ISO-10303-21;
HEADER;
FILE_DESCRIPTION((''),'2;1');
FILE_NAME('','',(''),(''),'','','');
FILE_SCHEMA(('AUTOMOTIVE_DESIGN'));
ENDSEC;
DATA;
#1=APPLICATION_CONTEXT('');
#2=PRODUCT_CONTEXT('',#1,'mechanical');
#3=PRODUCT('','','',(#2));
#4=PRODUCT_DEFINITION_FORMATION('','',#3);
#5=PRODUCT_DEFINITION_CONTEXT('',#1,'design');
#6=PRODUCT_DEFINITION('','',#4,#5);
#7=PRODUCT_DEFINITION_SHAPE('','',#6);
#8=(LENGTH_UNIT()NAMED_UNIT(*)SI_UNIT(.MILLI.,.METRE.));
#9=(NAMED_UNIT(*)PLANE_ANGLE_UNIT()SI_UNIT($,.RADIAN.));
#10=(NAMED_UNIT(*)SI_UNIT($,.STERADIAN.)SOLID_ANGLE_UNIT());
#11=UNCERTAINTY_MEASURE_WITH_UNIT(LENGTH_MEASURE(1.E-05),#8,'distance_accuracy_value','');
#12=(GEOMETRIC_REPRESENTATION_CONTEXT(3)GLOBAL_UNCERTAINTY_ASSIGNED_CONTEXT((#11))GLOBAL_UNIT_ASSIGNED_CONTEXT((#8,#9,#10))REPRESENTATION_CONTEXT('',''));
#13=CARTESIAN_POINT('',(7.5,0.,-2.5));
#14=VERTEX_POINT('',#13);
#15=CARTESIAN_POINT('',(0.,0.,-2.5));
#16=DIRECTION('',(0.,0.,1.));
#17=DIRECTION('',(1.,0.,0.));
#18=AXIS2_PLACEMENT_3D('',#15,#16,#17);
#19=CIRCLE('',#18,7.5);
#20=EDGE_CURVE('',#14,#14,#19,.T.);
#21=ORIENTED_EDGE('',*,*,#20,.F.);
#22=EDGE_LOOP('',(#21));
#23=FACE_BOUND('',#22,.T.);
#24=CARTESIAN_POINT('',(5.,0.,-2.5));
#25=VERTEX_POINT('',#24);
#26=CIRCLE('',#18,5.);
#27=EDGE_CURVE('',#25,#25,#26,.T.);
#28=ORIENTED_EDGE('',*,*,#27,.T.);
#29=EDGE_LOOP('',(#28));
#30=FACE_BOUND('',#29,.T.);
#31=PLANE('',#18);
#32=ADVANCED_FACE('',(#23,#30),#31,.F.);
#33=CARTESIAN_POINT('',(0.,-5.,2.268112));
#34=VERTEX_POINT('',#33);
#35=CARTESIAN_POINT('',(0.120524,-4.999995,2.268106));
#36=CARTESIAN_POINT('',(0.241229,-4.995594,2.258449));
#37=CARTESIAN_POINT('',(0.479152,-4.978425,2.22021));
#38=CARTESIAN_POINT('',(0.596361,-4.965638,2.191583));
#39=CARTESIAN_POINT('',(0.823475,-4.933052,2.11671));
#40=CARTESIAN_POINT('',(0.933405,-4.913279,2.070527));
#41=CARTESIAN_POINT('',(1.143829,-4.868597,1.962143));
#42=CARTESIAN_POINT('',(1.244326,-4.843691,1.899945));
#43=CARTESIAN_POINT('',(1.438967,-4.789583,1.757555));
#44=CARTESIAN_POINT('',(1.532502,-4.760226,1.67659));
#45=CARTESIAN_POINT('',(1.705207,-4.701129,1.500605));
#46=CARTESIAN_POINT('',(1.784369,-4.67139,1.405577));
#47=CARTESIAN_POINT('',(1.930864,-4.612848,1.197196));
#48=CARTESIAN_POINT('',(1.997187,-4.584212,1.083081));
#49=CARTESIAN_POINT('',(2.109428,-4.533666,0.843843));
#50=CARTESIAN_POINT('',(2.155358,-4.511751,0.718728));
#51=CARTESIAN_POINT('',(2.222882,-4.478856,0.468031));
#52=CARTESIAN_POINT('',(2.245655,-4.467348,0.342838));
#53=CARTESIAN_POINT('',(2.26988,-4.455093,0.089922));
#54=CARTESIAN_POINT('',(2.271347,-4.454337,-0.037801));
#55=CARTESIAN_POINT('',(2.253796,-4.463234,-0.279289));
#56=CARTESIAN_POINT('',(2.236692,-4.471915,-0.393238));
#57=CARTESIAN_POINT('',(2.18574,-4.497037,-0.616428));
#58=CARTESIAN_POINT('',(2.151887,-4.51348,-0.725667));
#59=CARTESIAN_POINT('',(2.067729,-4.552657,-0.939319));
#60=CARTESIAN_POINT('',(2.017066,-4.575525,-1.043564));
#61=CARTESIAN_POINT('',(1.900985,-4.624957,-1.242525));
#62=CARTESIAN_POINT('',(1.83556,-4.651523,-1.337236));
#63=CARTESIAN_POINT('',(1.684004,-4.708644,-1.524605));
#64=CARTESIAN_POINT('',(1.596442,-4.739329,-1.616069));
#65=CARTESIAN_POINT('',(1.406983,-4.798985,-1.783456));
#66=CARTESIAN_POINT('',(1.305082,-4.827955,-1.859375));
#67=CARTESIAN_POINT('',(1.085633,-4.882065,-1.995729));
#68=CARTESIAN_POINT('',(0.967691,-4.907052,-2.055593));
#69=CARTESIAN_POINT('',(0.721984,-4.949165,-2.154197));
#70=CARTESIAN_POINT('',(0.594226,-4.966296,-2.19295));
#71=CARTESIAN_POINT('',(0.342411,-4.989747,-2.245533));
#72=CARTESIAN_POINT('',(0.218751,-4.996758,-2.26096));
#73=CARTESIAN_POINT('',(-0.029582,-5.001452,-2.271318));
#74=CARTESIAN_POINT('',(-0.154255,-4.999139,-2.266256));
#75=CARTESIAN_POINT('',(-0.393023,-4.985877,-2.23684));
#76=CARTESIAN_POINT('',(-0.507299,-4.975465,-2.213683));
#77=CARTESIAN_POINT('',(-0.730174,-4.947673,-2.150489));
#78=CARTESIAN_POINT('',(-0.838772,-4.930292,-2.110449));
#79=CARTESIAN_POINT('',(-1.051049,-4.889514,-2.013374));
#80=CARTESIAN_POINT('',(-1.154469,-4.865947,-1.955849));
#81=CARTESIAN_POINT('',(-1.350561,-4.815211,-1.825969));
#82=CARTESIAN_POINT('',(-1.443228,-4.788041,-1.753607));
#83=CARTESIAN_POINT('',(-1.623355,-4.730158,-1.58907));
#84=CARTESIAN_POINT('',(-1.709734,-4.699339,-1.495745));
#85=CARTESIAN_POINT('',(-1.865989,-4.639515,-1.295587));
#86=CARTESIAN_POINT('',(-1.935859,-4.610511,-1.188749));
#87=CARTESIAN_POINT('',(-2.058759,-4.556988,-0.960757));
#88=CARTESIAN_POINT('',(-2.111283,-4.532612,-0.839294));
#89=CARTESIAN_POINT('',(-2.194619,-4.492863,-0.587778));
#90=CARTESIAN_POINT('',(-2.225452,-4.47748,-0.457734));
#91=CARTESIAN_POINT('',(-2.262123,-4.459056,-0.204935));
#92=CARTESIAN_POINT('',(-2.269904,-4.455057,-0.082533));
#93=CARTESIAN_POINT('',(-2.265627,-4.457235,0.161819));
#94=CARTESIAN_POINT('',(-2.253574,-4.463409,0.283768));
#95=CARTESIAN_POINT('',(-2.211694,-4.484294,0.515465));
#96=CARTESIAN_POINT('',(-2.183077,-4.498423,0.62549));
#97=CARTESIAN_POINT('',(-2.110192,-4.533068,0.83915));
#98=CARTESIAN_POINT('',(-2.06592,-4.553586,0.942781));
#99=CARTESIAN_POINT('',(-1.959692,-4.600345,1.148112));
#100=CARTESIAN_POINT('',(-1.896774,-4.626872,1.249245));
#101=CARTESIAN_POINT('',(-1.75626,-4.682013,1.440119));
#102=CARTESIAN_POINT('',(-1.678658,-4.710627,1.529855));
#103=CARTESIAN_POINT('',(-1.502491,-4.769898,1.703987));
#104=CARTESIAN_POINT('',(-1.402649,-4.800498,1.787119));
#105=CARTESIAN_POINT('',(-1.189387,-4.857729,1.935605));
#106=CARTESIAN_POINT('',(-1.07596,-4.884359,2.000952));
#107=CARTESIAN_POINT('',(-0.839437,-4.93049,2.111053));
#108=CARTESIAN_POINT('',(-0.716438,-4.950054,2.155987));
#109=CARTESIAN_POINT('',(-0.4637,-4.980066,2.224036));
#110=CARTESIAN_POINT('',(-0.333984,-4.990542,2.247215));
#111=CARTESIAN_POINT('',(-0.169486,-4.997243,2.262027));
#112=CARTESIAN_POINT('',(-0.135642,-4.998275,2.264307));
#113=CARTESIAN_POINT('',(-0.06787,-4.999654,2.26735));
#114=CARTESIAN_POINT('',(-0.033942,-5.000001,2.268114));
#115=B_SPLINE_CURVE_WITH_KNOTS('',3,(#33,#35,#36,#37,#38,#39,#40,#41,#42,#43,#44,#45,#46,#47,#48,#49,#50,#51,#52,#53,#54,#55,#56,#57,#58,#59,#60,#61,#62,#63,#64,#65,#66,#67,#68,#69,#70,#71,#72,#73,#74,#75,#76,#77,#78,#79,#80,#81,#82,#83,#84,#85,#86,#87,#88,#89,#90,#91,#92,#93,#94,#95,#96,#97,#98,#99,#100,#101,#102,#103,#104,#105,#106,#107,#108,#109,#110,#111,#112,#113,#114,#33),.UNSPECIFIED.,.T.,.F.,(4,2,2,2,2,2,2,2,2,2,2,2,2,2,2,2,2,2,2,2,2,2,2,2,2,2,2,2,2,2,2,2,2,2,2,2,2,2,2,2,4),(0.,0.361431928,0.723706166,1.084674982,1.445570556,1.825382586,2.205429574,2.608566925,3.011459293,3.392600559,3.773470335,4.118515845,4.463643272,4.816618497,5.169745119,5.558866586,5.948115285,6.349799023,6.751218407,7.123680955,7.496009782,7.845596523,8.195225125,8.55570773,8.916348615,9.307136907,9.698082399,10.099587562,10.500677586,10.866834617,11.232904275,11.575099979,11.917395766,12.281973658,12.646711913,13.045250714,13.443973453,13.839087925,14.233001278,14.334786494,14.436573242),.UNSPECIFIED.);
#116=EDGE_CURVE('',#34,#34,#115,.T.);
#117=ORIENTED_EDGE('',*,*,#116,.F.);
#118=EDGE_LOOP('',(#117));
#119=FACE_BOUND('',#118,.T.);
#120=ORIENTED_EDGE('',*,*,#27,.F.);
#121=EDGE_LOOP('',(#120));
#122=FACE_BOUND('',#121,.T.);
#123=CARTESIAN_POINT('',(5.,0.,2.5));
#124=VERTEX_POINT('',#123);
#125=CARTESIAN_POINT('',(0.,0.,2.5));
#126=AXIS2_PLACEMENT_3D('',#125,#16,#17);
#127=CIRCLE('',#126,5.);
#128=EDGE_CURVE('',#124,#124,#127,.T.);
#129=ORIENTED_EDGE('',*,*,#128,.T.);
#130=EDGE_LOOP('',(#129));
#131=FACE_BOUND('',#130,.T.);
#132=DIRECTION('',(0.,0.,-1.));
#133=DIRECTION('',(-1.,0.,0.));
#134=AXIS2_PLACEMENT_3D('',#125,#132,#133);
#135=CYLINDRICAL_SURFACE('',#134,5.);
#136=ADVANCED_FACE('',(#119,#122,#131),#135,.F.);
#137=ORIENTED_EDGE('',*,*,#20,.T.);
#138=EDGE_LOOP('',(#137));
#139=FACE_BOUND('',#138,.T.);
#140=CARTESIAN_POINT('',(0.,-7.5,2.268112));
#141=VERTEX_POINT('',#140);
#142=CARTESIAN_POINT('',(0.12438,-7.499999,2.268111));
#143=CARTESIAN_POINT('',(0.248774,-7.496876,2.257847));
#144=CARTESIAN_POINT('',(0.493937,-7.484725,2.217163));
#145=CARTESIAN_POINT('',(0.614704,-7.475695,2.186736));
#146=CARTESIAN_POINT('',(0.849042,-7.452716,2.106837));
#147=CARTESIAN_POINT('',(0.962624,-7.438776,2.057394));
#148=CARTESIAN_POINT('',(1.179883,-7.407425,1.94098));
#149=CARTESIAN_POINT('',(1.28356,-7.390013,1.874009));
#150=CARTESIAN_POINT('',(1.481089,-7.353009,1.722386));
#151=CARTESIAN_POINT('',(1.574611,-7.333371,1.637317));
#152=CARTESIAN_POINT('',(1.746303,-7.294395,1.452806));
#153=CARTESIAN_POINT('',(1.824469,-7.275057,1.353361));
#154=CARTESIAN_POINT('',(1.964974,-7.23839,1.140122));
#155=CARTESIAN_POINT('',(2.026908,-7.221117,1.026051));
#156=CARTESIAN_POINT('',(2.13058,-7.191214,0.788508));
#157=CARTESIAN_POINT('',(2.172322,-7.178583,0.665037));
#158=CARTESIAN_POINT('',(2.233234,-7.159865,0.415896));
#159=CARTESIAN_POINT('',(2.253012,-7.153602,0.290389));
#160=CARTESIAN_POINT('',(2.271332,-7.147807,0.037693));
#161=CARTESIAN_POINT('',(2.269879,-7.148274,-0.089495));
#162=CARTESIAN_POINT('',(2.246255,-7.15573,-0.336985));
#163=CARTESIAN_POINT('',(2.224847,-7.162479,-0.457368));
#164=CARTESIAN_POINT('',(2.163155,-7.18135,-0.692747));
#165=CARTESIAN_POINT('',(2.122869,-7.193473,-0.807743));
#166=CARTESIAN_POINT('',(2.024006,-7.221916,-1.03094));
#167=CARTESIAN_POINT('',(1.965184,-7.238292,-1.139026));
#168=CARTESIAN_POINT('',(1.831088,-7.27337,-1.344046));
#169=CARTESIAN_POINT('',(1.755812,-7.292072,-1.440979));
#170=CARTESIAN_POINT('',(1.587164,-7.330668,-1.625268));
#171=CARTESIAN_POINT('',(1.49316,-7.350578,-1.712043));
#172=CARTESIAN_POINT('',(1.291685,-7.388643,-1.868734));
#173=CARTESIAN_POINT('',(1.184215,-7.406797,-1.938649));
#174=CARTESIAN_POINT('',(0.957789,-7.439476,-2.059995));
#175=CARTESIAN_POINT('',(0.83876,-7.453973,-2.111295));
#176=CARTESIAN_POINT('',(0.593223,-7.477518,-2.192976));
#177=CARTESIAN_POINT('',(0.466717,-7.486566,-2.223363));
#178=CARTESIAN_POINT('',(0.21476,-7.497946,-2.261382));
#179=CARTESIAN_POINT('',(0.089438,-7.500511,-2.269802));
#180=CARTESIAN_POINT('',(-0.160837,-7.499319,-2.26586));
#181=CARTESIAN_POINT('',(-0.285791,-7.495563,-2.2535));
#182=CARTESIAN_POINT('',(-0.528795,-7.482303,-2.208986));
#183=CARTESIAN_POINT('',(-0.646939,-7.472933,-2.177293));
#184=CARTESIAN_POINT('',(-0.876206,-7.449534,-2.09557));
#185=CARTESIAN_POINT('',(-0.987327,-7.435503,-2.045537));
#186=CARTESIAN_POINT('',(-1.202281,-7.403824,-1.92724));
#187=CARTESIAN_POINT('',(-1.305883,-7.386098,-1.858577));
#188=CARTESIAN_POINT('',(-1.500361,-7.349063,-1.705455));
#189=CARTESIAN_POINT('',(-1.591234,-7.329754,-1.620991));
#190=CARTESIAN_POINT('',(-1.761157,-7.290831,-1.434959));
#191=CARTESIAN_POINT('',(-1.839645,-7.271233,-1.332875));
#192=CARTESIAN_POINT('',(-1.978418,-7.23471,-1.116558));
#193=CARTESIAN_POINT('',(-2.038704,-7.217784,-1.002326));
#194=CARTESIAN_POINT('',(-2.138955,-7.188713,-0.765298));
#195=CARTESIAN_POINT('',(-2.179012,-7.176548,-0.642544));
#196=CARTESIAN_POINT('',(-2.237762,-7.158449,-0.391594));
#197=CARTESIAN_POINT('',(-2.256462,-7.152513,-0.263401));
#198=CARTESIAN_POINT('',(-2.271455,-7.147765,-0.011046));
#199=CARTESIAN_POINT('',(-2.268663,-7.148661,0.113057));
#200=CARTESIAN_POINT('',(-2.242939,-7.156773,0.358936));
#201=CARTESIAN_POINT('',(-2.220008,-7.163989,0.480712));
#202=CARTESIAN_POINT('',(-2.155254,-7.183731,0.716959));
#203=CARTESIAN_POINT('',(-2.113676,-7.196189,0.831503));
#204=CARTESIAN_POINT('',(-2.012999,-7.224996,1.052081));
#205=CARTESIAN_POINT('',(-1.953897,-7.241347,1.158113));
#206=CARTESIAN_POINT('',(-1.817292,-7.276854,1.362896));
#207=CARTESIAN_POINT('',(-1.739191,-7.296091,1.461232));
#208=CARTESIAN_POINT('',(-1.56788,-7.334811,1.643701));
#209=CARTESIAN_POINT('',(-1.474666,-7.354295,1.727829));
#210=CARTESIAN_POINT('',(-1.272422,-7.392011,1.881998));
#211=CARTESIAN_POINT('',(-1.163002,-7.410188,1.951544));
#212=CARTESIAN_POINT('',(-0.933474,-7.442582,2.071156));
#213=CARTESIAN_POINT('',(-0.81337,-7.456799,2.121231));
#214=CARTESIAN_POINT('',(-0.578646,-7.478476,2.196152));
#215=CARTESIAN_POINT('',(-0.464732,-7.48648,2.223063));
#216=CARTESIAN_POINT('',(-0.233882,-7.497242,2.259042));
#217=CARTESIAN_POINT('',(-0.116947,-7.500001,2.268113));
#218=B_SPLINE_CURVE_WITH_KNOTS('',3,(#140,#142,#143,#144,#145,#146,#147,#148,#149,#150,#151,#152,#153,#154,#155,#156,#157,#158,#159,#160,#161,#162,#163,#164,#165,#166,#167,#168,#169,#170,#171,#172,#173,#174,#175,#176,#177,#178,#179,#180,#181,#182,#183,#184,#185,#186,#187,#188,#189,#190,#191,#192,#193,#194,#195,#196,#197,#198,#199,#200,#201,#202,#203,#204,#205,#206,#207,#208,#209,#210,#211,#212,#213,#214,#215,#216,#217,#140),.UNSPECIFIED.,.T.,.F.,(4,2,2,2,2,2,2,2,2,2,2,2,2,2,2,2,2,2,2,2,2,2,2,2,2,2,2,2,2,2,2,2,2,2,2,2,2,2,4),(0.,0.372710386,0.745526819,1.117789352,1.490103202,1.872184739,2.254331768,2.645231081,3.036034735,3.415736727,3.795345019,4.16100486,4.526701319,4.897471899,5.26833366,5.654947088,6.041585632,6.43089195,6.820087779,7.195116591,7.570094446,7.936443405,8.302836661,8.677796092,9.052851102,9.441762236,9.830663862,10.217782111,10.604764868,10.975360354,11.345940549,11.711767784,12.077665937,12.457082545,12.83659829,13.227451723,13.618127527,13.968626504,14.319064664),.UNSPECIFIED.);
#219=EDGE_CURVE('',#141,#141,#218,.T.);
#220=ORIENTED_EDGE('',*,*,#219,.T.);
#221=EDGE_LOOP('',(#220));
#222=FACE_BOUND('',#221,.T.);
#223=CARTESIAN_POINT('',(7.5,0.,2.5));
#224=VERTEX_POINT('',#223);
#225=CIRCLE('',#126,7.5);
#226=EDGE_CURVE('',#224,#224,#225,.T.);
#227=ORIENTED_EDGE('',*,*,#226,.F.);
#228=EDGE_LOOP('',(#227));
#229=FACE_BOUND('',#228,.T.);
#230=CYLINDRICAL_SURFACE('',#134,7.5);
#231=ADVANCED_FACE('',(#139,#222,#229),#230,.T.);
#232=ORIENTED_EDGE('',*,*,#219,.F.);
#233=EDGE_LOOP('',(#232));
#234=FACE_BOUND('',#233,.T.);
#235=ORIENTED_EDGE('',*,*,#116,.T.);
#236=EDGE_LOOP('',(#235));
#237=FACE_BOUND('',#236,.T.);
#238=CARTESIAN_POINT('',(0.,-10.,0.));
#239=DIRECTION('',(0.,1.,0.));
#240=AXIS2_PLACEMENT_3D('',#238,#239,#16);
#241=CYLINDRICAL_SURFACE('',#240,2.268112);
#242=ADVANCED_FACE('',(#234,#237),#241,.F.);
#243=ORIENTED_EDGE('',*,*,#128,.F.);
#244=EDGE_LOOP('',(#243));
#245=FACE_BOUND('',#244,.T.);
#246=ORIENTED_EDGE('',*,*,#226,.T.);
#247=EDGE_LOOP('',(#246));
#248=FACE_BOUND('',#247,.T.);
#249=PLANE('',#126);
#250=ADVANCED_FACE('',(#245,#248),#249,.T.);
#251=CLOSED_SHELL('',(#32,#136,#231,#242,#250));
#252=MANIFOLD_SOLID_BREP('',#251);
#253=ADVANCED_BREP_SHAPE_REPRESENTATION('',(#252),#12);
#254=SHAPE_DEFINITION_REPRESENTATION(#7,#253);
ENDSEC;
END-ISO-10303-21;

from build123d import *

# Parameters (mm, degrees)
SKETCH1_R           = 7.5
SKETCH1_R_2         = 5
BOSS_EXTRUDE1_DEPTH = 2.5
SKETCH4_R           = 2.268112058
CUT_EXTRUDE1_DEPTH  = 10


with BuildPart() as part:
    # Sketch1 → Boss-Extrude1 (new body, symmetric)
    with BuildSketch(Plane.XY):
        Circle(SKETCH1_R)
        Circle(SKETCH1_R_2, mode=Mode.SUBTRACT)
    extrude(amount=BOSS_EXTRUDE1_DEPTH, both=True)

    # Sketch4 → Cut-Extrude1 (cut)
    with BuildSketch(Plane(origin=(0, 0, 0), x_dir=(1, 0, 0), z_dir=(0, 1, 0))):
        Circle(SKETCH4_R)
    extrude(amount=-CUT_EXTRUDE1_DEPTH, mode=Mode.SUBTRACT)


solid = part.part
